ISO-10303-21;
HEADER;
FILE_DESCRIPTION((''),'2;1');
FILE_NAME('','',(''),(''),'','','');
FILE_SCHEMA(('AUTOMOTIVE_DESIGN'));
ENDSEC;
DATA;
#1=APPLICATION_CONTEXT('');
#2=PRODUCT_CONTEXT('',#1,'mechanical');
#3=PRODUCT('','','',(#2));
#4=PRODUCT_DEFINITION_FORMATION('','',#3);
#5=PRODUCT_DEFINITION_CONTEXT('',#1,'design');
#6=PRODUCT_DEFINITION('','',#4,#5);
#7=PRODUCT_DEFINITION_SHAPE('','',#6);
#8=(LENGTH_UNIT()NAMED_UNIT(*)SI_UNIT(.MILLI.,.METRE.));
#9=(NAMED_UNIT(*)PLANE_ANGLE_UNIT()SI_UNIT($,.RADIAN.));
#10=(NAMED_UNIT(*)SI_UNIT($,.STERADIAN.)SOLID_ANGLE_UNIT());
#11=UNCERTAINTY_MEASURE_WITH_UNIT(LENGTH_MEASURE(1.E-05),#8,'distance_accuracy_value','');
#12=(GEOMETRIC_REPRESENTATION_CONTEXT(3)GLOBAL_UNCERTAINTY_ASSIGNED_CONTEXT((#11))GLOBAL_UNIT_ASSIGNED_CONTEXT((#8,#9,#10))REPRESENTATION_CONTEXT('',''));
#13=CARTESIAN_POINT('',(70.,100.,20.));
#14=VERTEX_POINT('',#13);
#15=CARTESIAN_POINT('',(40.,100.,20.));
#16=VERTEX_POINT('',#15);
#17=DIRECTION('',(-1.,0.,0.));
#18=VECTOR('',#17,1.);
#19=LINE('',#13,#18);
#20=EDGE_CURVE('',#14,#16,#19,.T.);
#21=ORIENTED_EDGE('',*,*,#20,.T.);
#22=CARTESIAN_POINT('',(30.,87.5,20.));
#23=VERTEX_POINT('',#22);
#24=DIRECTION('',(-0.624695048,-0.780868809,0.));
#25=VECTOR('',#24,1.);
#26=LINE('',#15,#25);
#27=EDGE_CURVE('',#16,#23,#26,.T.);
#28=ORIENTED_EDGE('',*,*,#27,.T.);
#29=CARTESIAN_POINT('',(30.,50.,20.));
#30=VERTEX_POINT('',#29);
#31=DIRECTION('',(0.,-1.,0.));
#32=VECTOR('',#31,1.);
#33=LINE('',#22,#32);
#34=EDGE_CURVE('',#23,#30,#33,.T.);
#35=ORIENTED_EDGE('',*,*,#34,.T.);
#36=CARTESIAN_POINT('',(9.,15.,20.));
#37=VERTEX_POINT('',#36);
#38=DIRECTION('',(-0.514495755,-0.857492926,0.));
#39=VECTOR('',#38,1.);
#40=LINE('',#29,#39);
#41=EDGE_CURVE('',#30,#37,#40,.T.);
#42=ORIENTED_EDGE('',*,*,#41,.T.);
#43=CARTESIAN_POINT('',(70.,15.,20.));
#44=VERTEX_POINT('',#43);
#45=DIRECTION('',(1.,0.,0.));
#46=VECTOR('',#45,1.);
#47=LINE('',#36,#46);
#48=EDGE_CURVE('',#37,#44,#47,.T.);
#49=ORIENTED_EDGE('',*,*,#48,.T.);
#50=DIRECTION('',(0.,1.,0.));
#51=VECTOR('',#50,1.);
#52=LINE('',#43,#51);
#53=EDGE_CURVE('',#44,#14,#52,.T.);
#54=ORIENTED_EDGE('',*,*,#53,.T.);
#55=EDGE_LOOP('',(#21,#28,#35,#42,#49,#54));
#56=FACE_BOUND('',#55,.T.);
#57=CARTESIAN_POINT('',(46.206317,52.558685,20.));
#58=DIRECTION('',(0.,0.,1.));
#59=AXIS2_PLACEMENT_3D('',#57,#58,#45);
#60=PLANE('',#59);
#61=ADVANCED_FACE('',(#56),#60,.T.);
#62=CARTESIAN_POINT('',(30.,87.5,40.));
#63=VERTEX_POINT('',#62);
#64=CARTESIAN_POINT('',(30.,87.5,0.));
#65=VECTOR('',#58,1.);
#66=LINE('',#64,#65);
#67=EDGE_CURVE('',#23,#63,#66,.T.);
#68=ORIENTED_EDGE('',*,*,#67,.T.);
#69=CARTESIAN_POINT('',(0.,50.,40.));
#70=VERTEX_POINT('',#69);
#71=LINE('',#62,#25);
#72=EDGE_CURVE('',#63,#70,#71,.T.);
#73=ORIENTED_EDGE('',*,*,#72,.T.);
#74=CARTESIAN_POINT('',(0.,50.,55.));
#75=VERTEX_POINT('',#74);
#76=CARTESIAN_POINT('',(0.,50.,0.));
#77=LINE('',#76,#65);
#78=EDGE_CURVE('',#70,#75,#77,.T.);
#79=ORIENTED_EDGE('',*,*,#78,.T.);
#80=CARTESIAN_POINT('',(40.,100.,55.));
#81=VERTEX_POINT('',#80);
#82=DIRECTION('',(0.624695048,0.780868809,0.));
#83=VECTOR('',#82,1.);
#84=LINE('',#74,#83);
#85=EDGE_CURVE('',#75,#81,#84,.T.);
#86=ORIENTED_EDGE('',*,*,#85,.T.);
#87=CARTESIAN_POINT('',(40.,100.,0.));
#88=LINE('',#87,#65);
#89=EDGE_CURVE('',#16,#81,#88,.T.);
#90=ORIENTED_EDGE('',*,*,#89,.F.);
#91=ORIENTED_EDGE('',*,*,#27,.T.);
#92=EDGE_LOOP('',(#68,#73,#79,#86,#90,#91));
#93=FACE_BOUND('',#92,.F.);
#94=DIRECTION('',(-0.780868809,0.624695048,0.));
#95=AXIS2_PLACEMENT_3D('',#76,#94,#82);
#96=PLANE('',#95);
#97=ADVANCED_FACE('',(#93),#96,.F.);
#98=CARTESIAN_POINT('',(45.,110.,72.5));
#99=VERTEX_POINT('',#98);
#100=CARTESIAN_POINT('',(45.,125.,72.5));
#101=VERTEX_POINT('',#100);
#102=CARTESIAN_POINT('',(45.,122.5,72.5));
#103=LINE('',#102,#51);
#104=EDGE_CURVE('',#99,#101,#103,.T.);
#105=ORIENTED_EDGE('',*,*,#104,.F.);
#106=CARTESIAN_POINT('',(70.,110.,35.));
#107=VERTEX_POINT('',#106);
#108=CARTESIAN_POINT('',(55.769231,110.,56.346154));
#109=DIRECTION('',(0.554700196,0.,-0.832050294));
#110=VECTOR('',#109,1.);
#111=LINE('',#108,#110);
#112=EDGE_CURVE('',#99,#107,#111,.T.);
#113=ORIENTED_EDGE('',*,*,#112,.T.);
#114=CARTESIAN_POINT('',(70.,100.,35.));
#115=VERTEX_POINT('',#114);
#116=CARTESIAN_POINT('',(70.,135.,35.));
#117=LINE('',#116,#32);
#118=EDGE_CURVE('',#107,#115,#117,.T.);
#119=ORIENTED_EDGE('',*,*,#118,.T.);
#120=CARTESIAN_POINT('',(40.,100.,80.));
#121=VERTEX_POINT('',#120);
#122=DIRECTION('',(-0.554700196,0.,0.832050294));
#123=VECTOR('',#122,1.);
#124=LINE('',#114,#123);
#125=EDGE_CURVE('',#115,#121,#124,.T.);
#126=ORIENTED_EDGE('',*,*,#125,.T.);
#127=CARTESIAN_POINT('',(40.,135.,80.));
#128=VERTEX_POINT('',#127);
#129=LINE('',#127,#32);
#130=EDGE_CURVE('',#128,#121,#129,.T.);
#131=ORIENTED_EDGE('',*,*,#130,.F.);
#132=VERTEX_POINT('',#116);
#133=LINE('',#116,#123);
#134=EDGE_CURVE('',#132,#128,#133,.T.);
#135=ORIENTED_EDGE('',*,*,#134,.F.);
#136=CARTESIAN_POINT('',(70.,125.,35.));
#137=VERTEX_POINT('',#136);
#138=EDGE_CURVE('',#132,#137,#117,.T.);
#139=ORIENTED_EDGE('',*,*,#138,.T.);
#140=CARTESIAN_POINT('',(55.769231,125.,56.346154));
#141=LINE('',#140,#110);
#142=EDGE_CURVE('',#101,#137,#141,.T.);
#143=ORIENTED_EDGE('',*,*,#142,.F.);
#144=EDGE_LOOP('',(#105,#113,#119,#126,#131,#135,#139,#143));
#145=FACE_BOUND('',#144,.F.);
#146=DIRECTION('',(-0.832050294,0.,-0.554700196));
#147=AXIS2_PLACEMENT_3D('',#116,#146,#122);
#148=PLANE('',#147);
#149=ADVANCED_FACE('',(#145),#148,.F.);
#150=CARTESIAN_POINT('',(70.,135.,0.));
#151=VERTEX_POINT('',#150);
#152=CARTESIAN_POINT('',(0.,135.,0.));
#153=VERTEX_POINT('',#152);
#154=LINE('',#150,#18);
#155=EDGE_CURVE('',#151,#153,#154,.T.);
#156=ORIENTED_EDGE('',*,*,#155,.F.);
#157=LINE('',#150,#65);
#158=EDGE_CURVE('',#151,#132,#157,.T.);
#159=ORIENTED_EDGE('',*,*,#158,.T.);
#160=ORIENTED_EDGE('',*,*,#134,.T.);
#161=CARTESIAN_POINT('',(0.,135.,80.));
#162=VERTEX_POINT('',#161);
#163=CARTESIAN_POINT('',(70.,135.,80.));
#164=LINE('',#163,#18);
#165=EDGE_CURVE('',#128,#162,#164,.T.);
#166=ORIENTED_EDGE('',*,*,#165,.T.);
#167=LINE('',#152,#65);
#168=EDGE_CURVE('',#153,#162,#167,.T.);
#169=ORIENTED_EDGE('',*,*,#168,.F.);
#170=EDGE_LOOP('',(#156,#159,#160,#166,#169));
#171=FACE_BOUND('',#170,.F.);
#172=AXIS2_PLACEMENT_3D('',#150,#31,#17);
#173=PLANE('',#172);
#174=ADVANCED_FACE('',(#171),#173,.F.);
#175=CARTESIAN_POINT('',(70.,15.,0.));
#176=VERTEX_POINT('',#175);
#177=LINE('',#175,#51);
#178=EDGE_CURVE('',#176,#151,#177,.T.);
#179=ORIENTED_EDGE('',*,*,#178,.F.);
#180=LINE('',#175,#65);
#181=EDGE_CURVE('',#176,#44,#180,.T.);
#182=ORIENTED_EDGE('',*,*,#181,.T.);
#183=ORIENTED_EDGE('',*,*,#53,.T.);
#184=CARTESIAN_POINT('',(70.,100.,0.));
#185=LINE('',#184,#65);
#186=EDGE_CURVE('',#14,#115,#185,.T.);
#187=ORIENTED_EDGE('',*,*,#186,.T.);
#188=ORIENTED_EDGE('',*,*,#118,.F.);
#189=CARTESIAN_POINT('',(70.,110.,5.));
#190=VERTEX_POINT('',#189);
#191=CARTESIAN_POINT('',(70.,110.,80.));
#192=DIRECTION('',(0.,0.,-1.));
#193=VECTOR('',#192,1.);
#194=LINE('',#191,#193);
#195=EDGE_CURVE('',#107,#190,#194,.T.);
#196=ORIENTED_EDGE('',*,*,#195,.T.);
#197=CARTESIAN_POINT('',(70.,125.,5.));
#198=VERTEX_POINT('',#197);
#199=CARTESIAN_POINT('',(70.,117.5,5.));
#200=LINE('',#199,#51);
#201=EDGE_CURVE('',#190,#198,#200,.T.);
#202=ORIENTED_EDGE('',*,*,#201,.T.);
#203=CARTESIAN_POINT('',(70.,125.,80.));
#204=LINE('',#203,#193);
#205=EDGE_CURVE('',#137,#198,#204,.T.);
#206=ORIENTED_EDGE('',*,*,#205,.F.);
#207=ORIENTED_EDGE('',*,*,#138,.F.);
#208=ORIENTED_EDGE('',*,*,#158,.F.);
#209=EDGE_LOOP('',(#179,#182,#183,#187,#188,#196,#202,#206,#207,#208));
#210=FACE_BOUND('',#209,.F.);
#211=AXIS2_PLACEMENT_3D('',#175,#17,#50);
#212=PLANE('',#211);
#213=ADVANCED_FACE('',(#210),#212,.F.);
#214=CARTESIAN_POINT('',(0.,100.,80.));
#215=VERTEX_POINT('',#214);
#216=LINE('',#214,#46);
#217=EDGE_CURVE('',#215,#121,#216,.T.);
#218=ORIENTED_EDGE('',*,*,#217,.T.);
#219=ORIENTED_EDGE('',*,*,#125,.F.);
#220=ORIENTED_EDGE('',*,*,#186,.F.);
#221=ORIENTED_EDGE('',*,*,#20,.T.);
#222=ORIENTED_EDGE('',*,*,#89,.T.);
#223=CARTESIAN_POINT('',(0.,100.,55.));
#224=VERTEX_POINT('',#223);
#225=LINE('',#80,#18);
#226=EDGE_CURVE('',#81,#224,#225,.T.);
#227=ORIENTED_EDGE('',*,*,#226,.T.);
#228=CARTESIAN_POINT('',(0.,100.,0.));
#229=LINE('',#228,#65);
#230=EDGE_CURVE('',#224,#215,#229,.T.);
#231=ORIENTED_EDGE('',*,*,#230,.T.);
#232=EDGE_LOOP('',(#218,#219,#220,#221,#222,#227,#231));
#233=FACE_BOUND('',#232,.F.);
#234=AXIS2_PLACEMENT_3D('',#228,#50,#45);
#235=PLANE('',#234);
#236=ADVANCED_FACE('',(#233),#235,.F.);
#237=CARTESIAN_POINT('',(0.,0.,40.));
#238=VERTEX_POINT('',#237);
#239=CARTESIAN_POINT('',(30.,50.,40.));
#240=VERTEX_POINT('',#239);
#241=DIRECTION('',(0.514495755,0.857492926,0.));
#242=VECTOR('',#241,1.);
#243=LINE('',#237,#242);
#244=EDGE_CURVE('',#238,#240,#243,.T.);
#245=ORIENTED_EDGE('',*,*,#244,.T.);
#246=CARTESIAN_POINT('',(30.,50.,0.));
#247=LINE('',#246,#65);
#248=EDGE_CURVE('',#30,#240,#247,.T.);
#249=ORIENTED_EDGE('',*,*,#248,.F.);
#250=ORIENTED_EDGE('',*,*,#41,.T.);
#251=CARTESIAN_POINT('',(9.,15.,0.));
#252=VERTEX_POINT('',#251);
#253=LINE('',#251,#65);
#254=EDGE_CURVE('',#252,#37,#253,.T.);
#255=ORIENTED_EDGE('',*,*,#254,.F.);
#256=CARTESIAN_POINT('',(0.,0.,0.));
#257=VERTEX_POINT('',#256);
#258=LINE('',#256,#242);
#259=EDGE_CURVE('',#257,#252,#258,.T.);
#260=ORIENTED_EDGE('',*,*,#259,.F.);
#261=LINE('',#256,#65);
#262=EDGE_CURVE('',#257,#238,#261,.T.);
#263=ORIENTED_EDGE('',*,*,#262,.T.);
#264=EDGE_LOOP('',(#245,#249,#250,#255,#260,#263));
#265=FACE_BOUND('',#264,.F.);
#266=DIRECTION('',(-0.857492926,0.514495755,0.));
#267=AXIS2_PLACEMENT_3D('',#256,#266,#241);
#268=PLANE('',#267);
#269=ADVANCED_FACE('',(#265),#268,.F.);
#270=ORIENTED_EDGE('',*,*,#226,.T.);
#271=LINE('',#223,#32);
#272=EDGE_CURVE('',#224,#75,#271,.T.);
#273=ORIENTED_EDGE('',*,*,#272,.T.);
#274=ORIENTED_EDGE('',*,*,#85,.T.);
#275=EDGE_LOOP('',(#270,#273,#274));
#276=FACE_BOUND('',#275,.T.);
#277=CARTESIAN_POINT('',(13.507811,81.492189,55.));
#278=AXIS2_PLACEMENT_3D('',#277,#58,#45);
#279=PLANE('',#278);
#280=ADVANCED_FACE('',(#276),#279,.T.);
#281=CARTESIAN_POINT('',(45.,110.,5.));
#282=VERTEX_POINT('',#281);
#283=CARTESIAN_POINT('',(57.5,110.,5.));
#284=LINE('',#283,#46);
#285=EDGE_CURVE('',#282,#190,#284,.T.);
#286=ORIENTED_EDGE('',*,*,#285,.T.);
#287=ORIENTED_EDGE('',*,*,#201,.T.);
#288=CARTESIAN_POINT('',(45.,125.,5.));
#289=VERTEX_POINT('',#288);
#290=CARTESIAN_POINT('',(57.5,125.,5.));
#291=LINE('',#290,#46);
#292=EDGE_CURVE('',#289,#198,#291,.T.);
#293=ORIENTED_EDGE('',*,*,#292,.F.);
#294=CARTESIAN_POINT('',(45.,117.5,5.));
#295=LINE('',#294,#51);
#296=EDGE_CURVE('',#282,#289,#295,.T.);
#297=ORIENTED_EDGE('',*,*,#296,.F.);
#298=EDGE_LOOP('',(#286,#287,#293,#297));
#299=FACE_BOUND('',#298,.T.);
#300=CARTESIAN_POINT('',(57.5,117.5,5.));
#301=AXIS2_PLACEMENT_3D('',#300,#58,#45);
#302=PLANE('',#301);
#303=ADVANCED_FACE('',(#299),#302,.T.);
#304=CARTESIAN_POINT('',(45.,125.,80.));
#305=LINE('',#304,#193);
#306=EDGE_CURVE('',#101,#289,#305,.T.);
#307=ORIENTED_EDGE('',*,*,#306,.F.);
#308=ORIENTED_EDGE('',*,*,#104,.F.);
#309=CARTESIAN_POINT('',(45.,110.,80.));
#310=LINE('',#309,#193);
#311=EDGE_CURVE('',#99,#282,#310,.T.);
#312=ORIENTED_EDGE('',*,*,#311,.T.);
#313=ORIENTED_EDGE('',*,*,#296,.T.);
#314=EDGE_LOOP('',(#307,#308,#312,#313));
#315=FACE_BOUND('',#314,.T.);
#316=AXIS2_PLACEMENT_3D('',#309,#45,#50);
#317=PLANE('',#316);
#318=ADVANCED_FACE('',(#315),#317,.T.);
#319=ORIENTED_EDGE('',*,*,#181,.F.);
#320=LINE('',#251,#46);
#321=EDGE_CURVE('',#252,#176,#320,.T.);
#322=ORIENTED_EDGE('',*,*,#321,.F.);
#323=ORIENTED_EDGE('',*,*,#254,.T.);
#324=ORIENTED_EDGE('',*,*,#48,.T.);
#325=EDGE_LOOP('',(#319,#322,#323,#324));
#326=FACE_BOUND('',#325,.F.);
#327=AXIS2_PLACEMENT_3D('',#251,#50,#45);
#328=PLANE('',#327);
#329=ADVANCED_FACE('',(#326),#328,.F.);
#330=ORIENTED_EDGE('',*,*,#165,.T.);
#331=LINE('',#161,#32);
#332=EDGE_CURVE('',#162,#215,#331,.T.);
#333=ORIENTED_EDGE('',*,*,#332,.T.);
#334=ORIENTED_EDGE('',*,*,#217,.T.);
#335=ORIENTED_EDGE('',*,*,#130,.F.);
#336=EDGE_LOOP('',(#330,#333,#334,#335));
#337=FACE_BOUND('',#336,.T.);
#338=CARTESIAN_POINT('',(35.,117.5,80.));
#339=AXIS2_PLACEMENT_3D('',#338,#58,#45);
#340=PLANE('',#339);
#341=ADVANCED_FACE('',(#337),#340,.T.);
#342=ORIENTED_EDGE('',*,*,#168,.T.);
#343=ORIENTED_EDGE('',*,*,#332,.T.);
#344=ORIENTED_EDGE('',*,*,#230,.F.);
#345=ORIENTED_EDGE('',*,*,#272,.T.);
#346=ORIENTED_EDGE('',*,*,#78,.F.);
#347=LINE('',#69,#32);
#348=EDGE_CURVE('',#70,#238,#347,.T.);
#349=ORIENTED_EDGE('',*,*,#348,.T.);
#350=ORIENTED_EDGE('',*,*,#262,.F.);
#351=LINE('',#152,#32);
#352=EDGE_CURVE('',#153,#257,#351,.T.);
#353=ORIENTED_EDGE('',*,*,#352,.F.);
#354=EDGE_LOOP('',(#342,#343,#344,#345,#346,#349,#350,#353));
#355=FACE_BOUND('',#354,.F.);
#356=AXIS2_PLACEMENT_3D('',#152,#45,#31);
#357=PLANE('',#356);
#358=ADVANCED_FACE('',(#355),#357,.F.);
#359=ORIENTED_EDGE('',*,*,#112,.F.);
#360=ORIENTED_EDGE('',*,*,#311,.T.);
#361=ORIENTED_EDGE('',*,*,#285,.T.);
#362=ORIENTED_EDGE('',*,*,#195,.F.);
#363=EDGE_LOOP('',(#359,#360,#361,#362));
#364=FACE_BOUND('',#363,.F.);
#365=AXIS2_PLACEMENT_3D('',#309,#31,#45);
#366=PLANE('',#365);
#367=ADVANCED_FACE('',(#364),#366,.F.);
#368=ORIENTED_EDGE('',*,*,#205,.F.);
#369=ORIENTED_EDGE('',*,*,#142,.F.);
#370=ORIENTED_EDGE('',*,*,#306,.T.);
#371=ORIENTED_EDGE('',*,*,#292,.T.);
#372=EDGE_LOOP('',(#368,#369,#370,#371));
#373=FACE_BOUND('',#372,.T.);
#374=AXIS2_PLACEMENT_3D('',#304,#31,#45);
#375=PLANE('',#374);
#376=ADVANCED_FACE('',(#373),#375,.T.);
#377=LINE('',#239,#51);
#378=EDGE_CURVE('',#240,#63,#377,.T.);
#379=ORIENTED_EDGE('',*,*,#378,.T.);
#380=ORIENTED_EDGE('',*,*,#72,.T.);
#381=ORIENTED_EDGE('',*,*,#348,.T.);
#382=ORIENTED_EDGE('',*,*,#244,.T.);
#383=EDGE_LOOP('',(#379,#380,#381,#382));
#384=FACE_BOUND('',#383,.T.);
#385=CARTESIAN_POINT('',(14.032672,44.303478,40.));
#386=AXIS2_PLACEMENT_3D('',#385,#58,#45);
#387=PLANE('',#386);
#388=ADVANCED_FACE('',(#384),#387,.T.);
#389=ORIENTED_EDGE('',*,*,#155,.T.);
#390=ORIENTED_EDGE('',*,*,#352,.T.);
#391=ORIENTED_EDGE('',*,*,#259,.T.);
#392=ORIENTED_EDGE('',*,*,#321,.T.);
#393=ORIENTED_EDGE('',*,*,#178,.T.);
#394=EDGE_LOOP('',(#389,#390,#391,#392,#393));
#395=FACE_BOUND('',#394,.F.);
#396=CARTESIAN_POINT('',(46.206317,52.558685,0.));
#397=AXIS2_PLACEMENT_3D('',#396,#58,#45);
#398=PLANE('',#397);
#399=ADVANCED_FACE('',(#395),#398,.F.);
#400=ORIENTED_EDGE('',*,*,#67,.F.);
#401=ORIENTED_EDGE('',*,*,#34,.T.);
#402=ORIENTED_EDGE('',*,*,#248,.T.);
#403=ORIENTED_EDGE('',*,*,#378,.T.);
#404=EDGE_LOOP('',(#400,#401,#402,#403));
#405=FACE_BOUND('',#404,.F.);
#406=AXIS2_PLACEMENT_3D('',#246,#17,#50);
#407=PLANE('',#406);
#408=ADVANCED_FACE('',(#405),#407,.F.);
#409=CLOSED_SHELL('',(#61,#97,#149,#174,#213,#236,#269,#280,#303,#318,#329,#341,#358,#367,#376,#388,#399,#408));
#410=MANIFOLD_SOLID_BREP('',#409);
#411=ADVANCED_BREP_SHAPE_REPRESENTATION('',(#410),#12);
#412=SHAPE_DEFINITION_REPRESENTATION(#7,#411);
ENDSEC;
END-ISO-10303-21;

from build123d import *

# Parameters (mm, degrees)
F1_DEPTH = 40
F2_DEPTH = 55
F3_DEPTH = 80
F4_DEPTH = 20
F5_W     = 25
F5_H     = 15
F6_DEPTH = 75
F8_DEPTH = 35


with BuildPart() as f1:
    # F0 (on Top) → F1 (new body)
    with BuildSketch(Plane.XY):
        Polygon((0, 50), (0, 0), (9, 15), (30, 50), (30, 87.5), align=None)
    extrude(amount=F1_DEPTH)

    # F0 (on Top) → F2 (join)
    with BuildSketch(Plane.XY):
        Polygon((0, 100), (0, 50), (30, 87.5), (40, 100), align=None)
    extrude(amount=F2_DEPTH)

    # F0 (on Top) → F3 (join)
    with BuildSketch(Plane.XY):
        Polygon((0, 135), (0, 100), (40, 100), (70, 100), (70, 135), align=None)
    extrude(amount=F3_DEPTH)

    # F0 (on Top) → F4 (join)
    with BuildSketch(Plane.XY):
        Polygon((30, 50), (9, 15), (70, 15), (70, 100), (40, 100), (30, 87.5), align=None)
    extrude(amount=F4_DEPTH)

    # F5 (on face) → F6 (cut)
    with BuildSketch(Plane.XY.offset(80)):
        with Locations((57.5, 117.5)):
            Rectangle(F5_W, F5_H)
    extrude(amount=-F6_DEPTH, mode=Mode.SUBTRACT)

    # F7 (on face) → F8 (cut, through all)
    with BuildSketch(Plane(origin=(0, 135, 0), x_dir=(-1, 0, 0), z_dir=(0, 1, 0))):
        Polygon((-70, 80), (-70, 35), (-40, 80), align=None)
    extrude(amount=-F8_DEPTH, mode=Mode.SUBTRACT)


solid = f1.part
